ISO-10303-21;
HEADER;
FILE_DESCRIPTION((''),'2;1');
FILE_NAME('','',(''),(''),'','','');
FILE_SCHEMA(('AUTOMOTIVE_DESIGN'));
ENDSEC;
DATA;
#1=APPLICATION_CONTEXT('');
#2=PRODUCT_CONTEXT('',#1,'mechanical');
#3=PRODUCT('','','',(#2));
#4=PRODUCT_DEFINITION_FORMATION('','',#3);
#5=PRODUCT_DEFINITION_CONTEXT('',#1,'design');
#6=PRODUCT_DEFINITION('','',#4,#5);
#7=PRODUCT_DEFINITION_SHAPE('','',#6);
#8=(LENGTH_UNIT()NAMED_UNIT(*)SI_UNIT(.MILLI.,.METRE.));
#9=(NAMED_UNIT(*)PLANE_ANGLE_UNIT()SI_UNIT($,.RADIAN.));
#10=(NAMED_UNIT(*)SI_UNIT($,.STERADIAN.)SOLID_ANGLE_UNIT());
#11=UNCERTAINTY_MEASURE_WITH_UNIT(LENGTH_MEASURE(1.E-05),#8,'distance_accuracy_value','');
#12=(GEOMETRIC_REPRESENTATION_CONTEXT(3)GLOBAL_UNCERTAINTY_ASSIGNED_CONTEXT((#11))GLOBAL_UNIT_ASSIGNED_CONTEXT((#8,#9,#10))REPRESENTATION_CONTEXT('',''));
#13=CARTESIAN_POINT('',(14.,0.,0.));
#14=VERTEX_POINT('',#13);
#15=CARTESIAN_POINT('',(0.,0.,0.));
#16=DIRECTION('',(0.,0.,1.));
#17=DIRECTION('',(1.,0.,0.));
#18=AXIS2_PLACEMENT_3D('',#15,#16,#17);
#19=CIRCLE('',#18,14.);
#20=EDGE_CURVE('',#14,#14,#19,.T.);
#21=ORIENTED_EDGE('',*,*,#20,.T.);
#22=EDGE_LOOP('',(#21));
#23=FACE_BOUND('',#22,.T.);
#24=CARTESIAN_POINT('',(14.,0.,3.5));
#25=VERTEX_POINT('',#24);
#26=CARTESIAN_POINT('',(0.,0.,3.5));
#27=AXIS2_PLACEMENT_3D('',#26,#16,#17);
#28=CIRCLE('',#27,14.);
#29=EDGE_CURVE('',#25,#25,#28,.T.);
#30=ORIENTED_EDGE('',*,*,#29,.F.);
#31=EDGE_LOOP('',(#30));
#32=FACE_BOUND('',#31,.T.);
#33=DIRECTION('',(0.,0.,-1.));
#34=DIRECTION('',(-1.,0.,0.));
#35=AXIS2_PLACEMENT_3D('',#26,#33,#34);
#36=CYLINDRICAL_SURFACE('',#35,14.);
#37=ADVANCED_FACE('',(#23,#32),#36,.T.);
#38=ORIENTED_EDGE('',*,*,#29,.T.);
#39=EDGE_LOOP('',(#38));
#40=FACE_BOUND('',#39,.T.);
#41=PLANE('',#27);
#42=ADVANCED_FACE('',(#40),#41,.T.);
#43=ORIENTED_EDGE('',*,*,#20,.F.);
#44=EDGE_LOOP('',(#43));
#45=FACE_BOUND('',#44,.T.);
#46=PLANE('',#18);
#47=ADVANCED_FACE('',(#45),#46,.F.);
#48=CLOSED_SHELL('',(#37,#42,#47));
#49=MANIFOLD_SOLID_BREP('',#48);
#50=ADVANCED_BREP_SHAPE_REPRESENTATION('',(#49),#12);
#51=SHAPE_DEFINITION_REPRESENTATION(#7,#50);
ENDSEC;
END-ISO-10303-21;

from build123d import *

# Parameters (mm, degrees)
SKETCH1_R           = 14
BOSS_EXTRUDE1_DEPTH = 3.5


with BuildPart() as part:
    # Sketch1 → Boss-Extrude1 (new body)
    with BuildSketch(Plane.XY):
        Circle(SKETCH1_R)
    extrude(amount=BOSS_EXTRUDE1_DEPTH)


solid = part.part
